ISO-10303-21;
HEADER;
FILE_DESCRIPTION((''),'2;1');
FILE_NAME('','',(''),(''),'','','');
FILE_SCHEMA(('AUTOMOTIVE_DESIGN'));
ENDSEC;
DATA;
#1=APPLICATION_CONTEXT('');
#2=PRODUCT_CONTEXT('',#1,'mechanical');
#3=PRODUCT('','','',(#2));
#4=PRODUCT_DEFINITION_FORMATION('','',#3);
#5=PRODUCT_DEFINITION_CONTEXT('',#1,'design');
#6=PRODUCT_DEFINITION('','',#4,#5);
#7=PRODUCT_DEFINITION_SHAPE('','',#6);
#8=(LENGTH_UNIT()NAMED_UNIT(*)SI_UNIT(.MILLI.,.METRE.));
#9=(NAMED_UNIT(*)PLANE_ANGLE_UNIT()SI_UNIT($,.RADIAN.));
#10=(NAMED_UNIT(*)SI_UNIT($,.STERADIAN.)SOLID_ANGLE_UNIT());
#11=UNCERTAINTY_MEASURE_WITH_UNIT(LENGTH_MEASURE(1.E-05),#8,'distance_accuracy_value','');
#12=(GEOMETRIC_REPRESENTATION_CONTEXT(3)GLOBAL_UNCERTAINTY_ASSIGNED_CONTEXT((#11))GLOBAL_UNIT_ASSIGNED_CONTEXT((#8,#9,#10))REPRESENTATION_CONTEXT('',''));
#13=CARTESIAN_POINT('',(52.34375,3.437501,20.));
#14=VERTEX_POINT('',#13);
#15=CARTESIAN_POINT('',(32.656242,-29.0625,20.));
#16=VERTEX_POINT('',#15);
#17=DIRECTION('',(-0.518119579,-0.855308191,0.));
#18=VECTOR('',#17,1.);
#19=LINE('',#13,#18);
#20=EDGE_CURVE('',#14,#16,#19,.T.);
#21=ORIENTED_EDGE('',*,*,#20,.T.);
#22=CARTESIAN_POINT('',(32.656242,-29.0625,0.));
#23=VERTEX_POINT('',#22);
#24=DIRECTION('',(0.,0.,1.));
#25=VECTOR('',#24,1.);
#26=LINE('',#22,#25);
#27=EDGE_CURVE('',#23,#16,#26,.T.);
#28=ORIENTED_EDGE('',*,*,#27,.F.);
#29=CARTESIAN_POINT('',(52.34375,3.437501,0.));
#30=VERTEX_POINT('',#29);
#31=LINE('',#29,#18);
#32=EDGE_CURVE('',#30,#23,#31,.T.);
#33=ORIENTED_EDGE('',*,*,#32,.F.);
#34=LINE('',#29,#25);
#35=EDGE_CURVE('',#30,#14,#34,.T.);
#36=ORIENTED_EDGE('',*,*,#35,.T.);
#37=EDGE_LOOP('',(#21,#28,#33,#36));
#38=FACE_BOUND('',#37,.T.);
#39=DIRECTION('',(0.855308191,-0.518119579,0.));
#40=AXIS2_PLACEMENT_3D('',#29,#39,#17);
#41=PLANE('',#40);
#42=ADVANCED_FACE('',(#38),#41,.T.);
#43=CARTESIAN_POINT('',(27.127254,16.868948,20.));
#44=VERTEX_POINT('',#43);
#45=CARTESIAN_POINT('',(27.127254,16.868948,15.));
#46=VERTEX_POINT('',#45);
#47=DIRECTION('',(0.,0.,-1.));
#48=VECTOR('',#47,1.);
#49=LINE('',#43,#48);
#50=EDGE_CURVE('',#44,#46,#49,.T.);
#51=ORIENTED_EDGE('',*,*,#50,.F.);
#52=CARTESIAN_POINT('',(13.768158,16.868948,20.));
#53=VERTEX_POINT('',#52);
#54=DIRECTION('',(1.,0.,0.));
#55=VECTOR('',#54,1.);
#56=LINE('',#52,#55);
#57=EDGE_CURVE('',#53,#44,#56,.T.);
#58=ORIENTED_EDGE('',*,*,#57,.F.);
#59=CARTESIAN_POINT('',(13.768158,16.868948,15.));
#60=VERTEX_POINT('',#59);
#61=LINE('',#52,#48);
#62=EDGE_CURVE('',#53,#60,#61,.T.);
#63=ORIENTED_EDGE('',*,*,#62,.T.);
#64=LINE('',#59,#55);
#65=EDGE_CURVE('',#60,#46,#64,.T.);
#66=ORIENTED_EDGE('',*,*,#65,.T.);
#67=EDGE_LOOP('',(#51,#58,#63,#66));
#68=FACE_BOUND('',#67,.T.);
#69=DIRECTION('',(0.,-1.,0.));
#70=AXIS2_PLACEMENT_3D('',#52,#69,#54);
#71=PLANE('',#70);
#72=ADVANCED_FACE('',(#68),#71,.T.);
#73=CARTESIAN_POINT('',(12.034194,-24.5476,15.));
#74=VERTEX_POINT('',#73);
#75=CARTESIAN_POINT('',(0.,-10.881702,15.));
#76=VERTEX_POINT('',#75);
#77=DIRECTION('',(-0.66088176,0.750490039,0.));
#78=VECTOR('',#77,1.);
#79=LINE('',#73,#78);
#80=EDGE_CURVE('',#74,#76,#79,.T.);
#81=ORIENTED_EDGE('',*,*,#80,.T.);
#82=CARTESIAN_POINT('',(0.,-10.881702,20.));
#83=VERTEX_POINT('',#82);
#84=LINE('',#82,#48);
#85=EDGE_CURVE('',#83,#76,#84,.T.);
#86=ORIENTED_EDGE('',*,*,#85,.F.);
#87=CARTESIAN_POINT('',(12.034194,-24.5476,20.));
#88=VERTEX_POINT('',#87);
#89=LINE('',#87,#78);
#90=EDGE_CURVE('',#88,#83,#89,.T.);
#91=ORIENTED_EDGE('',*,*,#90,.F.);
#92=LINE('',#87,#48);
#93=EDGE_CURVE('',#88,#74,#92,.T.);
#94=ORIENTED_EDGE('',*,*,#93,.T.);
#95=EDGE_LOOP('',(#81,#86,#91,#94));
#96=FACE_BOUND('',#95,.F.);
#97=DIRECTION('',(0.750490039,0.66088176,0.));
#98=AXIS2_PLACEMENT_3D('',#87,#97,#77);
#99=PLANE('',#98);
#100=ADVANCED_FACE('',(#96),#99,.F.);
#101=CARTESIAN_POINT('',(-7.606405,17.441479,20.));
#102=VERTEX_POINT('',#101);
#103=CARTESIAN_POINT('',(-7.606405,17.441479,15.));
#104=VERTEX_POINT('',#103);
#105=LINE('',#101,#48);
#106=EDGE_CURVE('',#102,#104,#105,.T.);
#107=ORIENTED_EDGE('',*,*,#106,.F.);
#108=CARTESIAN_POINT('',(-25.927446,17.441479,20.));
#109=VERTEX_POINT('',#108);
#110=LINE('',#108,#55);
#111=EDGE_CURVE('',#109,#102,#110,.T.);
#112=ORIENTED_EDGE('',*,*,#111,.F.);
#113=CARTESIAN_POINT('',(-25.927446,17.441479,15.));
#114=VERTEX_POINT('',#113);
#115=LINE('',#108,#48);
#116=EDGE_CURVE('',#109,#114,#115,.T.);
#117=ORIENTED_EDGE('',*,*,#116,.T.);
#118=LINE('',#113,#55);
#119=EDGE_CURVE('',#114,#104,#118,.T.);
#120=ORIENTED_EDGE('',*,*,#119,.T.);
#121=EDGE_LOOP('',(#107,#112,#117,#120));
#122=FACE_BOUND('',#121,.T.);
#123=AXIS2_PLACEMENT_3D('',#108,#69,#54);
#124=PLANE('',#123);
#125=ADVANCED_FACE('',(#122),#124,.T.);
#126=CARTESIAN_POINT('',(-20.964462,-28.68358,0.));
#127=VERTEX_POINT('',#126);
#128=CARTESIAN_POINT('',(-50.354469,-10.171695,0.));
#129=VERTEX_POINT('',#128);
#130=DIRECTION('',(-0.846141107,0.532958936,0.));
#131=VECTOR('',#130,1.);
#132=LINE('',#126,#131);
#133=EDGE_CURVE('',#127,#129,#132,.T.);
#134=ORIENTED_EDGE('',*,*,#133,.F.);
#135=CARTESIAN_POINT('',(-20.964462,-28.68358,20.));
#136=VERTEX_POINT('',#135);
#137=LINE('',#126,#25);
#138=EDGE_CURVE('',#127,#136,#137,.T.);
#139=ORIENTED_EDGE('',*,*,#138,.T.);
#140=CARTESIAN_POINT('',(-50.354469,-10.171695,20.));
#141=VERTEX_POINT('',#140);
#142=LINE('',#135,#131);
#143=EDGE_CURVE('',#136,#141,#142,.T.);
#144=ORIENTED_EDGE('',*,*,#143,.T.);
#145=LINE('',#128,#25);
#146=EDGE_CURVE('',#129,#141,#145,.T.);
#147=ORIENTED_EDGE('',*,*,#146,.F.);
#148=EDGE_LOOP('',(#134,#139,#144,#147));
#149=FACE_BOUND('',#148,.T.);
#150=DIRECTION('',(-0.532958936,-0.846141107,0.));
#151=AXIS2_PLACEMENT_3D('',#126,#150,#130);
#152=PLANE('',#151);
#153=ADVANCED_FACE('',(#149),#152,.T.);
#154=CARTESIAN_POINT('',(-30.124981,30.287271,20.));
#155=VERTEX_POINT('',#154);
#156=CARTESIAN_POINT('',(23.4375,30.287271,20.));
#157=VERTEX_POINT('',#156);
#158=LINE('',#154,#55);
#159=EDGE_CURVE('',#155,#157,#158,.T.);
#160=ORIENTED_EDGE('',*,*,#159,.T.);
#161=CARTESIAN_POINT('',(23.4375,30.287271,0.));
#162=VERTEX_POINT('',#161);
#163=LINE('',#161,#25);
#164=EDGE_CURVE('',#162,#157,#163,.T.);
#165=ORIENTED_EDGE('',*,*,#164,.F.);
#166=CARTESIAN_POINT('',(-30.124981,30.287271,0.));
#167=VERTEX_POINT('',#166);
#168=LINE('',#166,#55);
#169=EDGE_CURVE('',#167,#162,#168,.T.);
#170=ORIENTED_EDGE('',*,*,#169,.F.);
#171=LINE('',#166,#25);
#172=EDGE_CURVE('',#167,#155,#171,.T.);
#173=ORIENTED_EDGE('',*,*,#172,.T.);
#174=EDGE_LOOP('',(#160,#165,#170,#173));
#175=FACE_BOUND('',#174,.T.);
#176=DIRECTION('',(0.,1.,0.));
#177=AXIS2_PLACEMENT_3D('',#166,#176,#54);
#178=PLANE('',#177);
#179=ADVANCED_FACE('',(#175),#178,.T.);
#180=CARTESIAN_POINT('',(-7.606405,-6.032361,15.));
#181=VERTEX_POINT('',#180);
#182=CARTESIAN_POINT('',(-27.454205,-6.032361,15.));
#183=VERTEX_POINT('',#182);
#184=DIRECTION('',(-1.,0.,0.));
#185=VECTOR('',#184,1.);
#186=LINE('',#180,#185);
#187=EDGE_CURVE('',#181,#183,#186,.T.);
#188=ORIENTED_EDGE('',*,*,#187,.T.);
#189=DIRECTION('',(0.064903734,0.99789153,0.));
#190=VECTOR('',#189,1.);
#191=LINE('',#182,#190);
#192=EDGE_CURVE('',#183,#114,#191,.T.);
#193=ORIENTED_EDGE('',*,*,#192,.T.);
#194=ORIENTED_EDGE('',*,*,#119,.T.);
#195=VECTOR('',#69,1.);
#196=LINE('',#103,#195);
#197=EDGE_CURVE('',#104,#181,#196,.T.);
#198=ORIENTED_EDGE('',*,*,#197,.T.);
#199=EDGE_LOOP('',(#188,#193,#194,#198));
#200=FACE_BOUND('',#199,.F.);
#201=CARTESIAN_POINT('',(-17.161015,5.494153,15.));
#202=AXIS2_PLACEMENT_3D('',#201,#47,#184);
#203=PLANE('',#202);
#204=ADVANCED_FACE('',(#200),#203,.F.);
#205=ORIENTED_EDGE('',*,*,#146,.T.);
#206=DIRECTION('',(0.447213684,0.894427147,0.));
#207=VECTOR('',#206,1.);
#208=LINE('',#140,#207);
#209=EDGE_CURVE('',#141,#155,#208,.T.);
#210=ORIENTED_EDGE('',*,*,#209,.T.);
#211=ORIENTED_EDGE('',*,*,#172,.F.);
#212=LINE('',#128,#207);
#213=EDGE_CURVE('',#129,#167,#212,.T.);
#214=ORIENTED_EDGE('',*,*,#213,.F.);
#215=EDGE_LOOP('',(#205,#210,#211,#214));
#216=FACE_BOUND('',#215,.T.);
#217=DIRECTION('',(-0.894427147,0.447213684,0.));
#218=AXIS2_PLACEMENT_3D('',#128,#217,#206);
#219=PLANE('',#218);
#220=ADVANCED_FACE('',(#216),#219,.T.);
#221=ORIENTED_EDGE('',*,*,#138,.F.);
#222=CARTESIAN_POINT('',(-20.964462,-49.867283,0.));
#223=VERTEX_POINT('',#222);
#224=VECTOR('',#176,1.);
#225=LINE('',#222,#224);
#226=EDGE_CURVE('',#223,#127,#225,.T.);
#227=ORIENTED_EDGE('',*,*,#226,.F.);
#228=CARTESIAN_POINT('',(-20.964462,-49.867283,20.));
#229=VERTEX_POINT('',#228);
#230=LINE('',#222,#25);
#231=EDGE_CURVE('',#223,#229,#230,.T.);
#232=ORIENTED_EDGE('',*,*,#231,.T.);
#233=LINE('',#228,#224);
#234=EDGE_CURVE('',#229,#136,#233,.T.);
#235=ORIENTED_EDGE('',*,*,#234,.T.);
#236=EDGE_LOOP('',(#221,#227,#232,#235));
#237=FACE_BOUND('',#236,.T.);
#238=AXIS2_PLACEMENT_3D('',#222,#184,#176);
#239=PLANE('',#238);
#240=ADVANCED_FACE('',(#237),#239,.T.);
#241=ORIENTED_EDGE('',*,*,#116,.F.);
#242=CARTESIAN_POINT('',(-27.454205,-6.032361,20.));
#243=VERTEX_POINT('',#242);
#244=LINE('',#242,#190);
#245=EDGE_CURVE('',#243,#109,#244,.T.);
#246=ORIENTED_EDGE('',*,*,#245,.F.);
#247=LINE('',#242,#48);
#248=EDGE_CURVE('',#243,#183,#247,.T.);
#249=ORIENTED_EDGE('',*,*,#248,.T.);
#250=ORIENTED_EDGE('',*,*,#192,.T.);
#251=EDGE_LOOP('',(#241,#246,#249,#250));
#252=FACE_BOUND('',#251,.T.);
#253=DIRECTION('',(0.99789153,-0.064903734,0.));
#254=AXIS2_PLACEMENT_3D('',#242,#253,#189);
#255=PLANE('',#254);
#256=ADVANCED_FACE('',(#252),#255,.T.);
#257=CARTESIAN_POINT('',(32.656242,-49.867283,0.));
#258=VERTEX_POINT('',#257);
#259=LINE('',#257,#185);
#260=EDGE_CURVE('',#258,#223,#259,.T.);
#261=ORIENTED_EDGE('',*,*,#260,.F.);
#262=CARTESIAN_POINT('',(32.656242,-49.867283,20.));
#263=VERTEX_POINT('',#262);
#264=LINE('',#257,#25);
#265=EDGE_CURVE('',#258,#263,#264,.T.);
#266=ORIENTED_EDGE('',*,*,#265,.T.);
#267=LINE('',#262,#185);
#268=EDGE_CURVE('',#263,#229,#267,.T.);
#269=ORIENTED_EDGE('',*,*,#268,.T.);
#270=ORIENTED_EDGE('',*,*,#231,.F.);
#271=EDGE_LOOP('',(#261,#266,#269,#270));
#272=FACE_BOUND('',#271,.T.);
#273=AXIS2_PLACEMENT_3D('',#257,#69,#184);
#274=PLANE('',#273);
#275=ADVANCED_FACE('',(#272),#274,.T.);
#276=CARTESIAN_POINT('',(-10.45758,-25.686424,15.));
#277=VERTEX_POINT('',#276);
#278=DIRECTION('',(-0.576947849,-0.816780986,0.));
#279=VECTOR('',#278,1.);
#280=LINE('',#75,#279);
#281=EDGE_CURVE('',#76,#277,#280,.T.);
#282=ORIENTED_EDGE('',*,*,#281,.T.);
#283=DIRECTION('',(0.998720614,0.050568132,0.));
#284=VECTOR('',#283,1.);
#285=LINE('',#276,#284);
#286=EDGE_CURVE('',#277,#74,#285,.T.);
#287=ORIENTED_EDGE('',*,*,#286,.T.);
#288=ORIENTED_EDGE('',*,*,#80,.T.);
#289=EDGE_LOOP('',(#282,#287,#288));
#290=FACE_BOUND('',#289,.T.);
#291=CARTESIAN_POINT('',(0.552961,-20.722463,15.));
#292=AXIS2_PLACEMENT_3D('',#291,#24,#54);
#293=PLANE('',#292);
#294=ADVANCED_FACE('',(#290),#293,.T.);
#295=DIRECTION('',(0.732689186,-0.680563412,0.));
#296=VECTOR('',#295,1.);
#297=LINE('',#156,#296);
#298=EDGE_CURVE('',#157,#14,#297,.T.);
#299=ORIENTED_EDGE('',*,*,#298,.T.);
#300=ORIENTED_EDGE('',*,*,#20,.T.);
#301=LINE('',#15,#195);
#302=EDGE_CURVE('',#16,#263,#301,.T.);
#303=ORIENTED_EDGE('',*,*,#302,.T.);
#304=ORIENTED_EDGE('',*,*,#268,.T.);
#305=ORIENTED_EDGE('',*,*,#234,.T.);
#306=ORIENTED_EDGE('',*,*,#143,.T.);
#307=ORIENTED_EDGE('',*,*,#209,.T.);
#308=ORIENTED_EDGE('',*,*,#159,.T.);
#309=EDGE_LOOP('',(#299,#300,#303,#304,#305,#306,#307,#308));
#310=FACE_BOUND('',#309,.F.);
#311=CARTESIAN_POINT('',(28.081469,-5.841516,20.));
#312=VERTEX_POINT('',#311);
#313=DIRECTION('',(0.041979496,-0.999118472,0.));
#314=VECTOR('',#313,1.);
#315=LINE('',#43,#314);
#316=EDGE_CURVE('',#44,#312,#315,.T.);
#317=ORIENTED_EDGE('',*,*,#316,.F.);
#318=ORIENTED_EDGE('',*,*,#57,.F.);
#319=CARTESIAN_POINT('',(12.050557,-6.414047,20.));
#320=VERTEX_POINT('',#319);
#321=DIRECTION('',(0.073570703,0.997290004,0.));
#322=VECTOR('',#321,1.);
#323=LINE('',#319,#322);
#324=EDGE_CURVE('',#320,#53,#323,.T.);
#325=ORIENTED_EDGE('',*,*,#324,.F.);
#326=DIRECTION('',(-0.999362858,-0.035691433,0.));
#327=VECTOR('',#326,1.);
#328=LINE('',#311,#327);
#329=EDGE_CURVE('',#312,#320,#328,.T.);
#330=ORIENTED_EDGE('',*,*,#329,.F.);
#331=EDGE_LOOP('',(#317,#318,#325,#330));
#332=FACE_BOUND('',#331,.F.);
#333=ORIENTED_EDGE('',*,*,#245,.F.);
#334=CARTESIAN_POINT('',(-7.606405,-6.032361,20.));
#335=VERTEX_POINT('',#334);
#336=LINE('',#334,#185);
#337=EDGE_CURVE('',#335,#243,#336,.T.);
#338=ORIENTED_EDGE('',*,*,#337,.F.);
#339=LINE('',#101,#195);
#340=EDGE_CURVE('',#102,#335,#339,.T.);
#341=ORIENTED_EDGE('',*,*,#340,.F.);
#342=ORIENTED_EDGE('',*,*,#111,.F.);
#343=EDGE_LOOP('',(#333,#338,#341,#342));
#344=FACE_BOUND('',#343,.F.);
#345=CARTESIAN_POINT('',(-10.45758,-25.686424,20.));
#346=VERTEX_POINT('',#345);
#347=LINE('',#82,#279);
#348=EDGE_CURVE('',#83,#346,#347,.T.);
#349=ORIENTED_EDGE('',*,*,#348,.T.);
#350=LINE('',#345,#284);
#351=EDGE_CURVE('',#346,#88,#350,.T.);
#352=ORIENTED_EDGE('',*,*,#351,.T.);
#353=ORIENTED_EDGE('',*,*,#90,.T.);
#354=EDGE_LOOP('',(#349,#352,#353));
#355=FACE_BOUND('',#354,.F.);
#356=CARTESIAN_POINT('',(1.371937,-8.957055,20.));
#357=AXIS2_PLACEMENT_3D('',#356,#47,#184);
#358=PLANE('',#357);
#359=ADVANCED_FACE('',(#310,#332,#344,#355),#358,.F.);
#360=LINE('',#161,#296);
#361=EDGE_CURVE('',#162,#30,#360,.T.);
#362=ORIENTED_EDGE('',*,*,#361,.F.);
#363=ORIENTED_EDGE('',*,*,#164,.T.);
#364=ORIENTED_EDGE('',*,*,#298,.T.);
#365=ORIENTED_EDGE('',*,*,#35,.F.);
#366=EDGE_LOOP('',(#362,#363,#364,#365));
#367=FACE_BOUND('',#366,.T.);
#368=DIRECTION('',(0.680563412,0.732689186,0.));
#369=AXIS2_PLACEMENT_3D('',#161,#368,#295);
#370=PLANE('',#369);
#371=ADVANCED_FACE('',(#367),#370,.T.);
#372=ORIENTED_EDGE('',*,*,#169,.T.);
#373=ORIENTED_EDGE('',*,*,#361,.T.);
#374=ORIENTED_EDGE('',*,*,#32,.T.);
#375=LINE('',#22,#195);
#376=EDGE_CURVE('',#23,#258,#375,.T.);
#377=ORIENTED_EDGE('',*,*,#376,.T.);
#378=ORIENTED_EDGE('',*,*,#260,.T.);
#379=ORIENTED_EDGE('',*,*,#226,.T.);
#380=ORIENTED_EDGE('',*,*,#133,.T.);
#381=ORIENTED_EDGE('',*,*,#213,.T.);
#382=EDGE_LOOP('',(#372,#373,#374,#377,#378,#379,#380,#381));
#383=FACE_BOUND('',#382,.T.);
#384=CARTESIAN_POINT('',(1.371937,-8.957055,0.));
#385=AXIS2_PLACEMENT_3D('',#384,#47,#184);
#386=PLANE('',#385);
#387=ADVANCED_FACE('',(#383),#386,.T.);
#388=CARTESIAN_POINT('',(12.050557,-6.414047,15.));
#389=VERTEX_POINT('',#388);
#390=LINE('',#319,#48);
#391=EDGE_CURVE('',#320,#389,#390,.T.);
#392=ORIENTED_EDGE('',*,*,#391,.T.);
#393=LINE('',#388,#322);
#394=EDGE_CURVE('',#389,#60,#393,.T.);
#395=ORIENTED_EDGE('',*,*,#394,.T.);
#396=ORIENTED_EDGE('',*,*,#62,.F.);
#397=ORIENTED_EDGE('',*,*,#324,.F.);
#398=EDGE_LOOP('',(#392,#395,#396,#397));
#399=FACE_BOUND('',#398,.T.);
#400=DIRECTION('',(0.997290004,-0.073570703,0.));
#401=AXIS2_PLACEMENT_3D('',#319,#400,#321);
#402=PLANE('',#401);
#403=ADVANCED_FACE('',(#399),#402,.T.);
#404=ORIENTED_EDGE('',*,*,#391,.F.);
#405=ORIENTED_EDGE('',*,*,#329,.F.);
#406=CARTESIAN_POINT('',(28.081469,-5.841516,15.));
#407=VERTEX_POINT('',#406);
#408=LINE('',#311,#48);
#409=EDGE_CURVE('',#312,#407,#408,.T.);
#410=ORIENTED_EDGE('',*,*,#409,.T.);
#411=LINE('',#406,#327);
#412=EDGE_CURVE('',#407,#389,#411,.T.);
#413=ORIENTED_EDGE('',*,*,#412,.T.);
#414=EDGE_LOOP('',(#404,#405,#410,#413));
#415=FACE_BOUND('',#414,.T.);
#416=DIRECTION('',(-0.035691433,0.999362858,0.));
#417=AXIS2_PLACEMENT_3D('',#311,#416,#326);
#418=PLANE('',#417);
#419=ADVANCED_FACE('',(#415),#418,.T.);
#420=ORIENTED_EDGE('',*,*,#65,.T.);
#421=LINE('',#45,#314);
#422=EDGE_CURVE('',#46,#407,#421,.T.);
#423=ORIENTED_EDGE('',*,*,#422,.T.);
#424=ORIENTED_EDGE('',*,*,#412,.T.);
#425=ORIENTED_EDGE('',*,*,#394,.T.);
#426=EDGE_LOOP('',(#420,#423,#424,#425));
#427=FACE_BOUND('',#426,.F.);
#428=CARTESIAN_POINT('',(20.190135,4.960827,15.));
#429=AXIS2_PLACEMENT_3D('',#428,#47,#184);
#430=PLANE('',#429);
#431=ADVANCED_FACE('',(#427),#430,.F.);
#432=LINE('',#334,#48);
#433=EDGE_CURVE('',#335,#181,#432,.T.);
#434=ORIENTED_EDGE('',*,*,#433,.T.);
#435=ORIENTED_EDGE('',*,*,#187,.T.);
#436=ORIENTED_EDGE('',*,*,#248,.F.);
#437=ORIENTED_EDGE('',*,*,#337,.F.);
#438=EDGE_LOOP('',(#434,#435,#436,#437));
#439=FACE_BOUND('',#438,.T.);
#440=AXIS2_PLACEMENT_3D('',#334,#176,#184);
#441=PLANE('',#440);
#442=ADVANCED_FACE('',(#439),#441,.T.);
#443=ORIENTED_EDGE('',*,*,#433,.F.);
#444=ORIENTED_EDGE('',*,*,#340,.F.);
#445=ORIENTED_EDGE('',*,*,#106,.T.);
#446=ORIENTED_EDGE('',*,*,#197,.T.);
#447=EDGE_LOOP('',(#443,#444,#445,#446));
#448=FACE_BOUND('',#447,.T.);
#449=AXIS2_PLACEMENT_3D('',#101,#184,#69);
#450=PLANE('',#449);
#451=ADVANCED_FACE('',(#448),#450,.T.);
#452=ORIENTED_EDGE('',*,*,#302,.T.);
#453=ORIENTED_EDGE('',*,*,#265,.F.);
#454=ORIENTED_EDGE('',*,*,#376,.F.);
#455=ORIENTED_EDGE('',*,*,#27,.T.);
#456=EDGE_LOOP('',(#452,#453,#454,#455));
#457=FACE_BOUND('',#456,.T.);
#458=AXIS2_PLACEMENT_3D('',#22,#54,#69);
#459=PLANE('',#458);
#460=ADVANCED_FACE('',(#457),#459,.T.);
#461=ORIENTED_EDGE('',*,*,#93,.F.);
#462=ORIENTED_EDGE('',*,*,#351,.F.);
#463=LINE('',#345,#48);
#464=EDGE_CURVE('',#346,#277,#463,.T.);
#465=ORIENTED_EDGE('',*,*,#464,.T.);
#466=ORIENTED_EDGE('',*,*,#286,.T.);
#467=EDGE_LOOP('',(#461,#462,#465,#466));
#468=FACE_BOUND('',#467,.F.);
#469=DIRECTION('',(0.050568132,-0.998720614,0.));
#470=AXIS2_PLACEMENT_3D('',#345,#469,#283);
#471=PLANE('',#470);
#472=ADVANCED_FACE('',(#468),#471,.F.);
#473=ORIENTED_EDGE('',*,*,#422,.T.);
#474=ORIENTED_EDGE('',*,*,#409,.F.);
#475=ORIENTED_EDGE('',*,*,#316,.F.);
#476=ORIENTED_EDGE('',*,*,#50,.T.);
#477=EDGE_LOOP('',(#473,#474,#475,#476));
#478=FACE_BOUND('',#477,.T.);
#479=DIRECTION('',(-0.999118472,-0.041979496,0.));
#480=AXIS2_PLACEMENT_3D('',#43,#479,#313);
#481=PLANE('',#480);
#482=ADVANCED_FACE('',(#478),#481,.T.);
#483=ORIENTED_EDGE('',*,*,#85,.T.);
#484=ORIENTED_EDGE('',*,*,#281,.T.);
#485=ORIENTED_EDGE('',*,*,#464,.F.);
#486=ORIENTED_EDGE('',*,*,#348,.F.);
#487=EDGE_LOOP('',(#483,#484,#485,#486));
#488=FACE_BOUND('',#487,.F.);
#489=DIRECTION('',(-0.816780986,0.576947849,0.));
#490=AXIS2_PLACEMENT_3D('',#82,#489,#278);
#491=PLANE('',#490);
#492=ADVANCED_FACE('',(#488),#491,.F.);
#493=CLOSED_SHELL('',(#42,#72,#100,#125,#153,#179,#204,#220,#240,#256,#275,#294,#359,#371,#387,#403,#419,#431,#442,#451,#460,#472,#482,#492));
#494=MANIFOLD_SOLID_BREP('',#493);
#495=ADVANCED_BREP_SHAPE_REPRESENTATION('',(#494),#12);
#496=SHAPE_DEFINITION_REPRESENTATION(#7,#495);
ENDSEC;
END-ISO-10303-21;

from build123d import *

# Parameters (mm, degrees)
PAD_DEPTH       = 20
POCKET_DEPTH    = 5
POCKET001_DEPTH = 5


with BuildPart() as part:
    # Sketch → Pad (new body)
    with BuildSketch(Plane.XY):
        Polygon((-30.124981, 30.287271), (23.4375, 30.287271), (52.34375, 3.437501), (32.656242, -29.0625), (32.656242, -49.867283), (-20.964462, -49.867283), (-20.964462, -28.68358), (-50.354469, -10.171695), align=None)
    extrude(amount=PAD_DEPTH)

    # Sketch001 (on Face10 of Pad) → Pocket (cut)
    with BuildSketch(Plane.XY.offset(20)):
        Polygon((-25.927446, 17.441479), (-7.606405, 17.441479), (-7.606405, -6.032361), (-27.454205, -6.032361), align=None)
        Polygon((13.768158, 16.868948), (27.127254, 16.868948), (28.081469, -5.841516), (12.050557, -6.414047), align=None)
    extrude(amount=-POCKET_DEPTH, mode=Mode.SUBTRACT)

    # Sketch002 (on Face5 of Pocket) → Pocket001 (cut)
    with BuildSketch(Plane.XY.offset(20)):
        Polygon((0, -10.881702), (-10.45758, -25.686424), (12.034194, -24.5476), align=None)
    extrude(amount=-POCKET001_DEPTH, mode=Mode.SUBTRACT)


solid = part.part
